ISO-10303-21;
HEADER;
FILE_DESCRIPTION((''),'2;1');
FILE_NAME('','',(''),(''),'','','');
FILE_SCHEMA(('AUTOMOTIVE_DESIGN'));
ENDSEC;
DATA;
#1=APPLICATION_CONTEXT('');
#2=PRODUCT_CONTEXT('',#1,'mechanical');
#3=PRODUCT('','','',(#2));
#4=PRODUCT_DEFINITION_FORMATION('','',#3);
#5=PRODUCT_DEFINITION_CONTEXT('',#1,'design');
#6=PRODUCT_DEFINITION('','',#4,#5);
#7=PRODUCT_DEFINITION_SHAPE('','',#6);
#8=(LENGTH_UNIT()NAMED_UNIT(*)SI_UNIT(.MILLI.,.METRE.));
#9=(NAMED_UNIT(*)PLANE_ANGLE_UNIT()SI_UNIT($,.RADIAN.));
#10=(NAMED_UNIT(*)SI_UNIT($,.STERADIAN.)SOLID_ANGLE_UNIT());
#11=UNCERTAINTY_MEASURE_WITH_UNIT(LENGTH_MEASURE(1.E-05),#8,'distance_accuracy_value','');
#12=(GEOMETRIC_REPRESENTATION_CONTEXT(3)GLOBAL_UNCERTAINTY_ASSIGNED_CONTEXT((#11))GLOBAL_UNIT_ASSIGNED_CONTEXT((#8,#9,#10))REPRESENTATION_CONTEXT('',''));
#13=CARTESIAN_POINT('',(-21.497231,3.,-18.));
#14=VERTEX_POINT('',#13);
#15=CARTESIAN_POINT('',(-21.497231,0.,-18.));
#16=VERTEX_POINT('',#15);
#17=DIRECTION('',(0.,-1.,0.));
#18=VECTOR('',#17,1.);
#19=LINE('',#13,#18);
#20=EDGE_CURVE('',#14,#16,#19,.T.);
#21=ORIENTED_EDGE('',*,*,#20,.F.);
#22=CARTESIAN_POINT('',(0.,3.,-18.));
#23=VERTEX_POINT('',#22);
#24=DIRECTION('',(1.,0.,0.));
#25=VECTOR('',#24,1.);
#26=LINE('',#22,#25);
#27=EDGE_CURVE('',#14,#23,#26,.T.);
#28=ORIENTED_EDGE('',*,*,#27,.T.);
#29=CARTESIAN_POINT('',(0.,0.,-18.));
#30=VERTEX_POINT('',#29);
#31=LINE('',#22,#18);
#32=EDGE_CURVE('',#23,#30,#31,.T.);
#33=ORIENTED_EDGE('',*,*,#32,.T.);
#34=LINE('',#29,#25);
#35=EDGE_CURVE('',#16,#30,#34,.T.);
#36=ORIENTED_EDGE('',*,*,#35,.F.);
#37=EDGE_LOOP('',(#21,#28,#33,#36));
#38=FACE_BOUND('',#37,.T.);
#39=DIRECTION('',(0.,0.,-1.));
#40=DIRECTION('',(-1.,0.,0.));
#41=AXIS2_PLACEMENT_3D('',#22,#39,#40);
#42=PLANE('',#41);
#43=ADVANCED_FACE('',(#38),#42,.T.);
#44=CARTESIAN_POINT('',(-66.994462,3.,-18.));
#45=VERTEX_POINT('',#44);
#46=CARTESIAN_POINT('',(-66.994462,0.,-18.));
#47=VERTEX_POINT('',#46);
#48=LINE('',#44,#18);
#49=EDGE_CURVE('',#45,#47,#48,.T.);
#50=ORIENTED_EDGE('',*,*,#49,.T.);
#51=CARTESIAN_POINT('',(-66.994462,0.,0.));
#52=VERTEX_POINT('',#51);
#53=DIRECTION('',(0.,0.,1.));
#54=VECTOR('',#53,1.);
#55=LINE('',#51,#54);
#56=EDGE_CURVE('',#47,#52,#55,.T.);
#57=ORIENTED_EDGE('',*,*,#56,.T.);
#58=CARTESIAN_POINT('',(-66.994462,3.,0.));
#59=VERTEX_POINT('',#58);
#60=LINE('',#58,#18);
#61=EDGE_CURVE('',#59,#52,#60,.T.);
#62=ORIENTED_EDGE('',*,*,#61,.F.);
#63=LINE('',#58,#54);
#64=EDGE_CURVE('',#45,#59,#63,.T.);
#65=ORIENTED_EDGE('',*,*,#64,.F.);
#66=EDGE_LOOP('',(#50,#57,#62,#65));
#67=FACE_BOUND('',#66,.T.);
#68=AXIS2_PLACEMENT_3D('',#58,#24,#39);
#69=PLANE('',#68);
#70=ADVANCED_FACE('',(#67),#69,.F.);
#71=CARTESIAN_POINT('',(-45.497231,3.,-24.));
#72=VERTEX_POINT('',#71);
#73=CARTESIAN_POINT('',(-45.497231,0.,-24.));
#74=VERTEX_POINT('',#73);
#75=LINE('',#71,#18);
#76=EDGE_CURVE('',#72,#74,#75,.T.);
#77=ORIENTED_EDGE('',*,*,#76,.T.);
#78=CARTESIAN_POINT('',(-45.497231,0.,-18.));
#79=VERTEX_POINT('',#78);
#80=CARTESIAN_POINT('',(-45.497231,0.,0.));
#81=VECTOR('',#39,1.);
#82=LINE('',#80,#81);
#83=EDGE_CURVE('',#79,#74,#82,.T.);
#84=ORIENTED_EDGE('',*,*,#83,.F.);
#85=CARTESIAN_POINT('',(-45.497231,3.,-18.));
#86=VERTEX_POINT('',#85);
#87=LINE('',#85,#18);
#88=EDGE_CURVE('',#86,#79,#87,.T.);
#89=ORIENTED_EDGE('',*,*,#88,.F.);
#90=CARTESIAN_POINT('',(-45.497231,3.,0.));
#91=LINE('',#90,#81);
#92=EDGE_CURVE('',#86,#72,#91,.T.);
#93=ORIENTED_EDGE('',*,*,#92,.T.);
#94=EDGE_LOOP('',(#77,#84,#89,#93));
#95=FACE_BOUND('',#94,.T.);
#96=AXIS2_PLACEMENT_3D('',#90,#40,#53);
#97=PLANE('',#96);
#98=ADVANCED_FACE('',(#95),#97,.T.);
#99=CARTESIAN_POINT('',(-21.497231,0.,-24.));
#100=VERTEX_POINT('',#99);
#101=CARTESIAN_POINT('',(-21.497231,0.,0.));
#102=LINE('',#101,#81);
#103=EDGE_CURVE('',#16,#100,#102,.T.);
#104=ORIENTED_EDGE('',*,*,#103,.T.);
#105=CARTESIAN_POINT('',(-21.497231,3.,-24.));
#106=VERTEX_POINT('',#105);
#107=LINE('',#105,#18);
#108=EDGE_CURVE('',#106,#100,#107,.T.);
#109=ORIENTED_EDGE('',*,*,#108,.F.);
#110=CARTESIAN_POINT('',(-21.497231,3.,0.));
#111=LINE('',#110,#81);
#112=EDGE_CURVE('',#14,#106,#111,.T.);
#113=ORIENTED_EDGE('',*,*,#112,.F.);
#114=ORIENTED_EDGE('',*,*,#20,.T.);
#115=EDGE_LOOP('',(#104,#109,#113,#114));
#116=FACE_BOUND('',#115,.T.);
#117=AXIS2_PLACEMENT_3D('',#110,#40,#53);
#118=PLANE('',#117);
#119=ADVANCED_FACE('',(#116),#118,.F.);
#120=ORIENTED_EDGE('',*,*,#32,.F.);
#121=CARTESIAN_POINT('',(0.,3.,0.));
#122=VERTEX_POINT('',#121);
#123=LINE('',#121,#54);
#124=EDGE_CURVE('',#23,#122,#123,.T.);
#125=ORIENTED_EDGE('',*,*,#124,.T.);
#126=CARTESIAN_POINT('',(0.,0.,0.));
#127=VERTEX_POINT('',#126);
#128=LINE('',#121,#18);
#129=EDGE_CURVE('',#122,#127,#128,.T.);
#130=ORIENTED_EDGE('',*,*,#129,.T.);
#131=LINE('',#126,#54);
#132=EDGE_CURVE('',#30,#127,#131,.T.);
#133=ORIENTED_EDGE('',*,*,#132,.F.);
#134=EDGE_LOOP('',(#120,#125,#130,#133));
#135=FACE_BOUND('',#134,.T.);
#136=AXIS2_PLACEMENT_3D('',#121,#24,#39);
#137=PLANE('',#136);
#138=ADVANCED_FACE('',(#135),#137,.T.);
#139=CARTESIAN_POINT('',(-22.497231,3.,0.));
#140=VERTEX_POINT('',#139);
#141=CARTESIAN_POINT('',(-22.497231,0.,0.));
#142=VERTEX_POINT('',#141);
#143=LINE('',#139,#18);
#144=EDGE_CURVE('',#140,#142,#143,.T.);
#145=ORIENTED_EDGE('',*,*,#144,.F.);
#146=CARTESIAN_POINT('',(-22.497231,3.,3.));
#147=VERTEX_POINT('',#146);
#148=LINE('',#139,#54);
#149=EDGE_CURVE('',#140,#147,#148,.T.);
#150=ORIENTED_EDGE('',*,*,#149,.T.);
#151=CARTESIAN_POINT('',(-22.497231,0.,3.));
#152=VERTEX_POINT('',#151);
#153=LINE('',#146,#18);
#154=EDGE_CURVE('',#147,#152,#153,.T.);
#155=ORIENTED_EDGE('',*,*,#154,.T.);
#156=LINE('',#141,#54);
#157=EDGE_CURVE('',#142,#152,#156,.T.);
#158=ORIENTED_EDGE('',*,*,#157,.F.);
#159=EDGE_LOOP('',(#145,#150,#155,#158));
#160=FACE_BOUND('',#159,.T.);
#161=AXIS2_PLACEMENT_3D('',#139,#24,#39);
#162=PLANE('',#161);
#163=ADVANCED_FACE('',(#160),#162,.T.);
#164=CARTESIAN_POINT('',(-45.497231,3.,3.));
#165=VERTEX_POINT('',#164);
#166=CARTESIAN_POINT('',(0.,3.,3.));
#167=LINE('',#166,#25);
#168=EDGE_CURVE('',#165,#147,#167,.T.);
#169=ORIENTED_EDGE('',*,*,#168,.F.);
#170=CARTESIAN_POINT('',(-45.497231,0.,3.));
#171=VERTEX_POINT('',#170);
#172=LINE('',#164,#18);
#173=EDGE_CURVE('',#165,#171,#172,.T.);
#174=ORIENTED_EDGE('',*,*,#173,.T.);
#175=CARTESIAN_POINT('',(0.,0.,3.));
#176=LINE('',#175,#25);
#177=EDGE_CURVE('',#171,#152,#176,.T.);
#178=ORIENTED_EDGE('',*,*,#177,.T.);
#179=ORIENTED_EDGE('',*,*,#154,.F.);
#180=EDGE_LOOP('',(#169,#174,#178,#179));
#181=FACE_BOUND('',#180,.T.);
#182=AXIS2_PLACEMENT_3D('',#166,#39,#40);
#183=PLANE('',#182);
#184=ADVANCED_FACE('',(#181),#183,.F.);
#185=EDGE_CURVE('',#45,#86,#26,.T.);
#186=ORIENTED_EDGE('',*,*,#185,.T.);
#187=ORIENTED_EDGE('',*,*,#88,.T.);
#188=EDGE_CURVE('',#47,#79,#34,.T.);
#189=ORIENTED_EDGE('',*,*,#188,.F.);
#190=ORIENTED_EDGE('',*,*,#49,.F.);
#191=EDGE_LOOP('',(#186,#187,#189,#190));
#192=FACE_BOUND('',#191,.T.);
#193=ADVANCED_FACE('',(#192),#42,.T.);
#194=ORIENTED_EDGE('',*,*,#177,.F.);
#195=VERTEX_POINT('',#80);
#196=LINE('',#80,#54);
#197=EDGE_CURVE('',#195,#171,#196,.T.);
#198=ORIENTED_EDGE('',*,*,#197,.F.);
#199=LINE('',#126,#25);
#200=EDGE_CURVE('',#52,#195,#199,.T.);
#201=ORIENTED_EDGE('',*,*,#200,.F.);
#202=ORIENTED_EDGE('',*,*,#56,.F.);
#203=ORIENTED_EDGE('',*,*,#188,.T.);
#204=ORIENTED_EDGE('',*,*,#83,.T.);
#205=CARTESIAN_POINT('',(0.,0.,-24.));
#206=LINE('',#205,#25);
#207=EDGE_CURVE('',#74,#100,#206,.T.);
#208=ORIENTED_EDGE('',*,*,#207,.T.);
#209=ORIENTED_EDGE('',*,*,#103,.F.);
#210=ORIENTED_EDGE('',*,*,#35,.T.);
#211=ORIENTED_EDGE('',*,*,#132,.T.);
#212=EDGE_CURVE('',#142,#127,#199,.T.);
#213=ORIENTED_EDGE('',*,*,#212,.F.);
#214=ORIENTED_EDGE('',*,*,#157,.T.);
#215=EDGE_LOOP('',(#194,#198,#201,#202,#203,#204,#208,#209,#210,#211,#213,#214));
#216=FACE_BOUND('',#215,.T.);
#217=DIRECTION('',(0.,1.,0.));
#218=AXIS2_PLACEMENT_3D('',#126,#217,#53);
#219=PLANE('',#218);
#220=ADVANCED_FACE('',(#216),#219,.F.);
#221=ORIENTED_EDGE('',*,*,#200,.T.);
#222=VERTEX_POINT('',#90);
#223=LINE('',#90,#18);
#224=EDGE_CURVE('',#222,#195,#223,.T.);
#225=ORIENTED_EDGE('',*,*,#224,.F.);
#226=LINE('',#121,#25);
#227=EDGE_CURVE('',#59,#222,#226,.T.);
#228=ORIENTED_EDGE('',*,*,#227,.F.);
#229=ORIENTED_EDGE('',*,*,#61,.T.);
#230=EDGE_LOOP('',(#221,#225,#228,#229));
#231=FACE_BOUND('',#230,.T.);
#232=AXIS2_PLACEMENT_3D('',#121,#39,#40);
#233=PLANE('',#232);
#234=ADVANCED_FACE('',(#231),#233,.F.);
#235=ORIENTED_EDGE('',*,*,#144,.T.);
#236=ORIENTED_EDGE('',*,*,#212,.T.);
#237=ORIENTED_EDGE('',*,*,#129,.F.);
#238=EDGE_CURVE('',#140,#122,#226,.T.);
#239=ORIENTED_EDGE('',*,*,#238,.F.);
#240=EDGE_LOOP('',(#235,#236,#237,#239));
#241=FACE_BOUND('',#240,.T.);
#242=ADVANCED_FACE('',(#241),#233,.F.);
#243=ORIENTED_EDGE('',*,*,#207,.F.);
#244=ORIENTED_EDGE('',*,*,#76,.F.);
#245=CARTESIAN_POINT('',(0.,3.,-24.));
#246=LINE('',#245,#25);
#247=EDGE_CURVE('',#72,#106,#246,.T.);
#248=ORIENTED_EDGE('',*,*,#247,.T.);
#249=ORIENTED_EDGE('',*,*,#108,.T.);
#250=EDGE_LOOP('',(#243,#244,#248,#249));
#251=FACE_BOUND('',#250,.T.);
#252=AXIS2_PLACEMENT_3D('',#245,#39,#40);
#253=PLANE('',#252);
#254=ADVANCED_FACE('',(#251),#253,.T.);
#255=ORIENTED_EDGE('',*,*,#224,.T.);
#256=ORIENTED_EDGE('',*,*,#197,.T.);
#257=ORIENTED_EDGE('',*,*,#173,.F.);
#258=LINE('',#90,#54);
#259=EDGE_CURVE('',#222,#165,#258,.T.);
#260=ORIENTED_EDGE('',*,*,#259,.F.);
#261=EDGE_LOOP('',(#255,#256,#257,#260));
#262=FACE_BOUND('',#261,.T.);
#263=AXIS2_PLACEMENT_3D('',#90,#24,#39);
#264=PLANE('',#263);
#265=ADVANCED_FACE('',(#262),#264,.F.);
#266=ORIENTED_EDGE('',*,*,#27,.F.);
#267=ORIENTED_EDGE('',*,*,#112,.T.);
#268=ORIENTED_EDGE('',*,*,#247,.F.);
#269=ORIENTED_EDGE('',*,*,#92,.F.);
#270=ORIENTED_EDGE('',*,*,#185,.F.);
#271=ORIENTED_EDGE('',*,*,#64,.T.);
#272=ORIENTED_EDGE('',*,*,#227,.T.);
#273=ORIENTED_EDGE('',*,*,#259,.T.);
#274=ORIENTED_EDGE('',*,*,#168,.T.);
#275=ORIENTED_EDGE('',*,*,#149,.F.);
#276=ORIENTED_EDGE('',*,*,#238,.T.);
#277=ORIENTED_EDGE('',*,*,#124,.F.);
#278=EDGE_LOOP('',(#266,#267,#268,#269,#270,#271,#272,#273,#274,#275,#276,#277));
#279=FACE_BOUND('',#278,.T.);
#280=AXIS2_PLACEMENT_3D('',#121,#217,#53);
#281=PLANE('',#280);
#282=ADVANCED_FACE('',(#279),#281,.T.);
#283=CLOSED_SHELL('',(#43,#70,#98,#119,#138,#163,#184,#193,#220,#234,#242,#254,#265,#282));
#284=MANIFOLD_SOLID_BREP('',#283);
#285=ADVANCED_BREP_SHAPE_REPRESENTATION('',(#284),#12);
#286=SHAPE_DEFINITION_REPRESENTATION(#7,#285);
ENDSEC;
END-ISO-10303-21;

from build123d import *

# Parameters (mm, degrees)
SKETCH1_W           = 24
SKETCH1_H           = 6
SKETCH1_W_2         = 23
SKETCH1_H_2         = 3
BOSS_EXTRUDE1_DEPTH = 3


with BuildPart() as part:
    # Sketch1 → Boss-Extrude1 (new body)
    with BuildSketch(Plane(origin=(0, 0, 0), x_dir=(1, 0, 0), z_dir=(0, 1, 0))):
        Polygon((-45.497230944, 18), (-66.994461887, 18), (-66.994461887, 0), (-45.497230944, 0), (-22.497230944, 0), (-21.497230944, 0), (0, 0), (0, 18), (-21.497230944, 18), align=None)
        with Locations((-33.497230944, 21)):
            Rectangle(SKETCH1_W, SKETCH1_H)
        with Locations((-33.997230944, -1.5)):
            Rectangle(SKETCH1_W_2, SKETCH1_H_2)
    extrude(amount=BOSS_EXTRUDE1_DEPTH)


solid = part.part
